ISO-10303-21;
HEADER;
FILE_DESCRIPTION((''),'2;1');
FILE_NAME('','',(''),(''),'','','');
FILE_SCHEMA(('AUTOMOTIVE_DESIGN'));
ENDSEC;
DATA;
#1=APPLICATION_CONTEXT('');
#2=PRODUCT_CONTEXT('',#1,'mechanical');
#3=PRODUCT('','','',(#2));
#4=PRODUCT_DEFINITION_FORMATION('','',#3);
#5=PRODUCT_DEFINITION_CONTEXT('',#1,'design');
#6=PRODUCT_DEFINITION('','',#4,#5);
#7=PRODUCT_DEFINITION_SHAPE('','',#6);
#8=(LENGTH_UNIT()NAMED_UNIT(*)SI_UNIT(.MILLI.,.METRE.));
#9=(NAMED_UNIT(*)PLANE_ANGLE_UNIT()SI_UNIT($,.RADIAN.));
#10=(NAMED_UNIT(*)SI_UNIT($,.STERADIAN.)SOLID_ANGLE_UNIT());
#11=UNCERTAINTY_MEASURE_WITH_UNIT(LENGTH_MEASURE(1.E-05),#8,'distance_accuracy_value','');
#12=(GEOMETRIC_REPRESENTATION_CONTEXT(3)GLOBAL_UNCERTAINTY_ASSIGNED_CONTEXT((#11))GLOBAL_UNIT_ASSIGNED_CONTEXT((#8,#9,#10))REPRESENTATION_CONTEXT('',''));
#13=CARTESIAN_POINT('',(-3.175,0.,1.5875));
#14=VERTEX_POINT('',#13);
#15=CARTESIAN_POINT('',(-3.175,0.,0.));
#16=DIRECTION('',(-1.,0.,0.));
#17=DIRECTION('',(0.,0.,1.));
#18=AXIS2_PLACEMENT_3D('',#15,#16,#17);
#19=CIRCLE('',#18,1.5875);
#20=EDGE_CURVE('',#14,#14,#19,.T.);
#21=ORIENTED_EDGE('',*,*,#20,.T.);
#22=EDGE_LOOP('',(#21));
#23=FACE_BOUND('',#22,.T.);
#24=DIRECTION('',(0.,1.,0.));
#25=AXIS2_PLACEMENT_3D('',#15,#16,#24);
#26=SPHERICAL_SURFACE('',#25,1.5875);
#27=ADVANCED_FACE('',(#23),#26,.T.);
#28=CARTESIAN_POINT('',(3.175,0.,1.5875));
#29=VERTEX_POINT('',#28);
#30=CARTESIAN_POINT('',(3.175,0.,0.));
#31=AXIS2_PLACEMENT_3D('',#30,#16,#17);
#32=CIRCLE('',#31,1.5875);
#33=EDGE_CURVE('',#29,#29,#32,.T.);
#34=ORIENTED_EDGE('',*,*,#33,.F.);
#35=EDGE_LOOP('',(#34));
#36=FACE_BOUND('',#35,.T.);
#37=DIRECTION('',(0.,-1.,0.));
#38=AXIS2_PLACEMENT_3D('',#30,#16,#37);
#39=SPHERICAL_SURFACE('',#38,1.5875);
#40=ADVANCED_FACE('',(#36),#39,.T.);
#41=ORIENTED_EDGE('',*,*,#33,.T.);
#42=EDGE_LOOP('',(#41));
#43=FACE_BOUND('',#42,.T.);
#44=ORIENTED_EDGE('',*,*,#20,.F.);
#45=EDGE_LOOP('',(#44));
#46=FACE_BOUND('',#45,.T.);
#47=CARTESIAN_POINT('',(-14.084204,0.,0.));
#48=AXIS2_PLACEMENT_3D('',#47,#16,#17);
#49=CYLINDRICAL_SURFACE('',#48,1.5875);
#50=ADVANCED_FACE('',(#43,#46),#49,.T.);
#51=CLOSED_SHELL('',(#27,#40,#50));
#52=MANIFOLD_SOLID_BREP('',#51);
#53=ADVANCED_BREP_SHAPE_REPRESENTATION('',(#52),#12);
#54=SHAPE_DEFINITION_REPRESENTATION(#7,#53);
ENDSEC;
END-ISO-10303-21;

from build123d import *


with BuildPart() as part:
    # Sketch1 → Revolve1 (revolve)
    with BuildSketch(Plane.XY, mode=Mode.PRIVATE) as revolve1_sk:
        with BuildLine():
            Line((3.175, 1.5875), (-3.175, 1.5875))
            ThreePointArc((-3.175, 1.5875), (-4.297532015, 1.122532015), (-4.7625, 0))
            Line((-4.7625, 0), (4.7625, 0))
            ThreePointArc((4.7625, 0), (4.297532015, 1.122532015), (3.175, 1.5875))
        make_face()
    revolve(revolve1_sk.sketch.rotate(Axis((-14.084204025, 0, 0), (1, 0, 0)), 90), axis=Axis((-14.084204025, 0, 0), (1, 0, 0)))


solid = part.part
